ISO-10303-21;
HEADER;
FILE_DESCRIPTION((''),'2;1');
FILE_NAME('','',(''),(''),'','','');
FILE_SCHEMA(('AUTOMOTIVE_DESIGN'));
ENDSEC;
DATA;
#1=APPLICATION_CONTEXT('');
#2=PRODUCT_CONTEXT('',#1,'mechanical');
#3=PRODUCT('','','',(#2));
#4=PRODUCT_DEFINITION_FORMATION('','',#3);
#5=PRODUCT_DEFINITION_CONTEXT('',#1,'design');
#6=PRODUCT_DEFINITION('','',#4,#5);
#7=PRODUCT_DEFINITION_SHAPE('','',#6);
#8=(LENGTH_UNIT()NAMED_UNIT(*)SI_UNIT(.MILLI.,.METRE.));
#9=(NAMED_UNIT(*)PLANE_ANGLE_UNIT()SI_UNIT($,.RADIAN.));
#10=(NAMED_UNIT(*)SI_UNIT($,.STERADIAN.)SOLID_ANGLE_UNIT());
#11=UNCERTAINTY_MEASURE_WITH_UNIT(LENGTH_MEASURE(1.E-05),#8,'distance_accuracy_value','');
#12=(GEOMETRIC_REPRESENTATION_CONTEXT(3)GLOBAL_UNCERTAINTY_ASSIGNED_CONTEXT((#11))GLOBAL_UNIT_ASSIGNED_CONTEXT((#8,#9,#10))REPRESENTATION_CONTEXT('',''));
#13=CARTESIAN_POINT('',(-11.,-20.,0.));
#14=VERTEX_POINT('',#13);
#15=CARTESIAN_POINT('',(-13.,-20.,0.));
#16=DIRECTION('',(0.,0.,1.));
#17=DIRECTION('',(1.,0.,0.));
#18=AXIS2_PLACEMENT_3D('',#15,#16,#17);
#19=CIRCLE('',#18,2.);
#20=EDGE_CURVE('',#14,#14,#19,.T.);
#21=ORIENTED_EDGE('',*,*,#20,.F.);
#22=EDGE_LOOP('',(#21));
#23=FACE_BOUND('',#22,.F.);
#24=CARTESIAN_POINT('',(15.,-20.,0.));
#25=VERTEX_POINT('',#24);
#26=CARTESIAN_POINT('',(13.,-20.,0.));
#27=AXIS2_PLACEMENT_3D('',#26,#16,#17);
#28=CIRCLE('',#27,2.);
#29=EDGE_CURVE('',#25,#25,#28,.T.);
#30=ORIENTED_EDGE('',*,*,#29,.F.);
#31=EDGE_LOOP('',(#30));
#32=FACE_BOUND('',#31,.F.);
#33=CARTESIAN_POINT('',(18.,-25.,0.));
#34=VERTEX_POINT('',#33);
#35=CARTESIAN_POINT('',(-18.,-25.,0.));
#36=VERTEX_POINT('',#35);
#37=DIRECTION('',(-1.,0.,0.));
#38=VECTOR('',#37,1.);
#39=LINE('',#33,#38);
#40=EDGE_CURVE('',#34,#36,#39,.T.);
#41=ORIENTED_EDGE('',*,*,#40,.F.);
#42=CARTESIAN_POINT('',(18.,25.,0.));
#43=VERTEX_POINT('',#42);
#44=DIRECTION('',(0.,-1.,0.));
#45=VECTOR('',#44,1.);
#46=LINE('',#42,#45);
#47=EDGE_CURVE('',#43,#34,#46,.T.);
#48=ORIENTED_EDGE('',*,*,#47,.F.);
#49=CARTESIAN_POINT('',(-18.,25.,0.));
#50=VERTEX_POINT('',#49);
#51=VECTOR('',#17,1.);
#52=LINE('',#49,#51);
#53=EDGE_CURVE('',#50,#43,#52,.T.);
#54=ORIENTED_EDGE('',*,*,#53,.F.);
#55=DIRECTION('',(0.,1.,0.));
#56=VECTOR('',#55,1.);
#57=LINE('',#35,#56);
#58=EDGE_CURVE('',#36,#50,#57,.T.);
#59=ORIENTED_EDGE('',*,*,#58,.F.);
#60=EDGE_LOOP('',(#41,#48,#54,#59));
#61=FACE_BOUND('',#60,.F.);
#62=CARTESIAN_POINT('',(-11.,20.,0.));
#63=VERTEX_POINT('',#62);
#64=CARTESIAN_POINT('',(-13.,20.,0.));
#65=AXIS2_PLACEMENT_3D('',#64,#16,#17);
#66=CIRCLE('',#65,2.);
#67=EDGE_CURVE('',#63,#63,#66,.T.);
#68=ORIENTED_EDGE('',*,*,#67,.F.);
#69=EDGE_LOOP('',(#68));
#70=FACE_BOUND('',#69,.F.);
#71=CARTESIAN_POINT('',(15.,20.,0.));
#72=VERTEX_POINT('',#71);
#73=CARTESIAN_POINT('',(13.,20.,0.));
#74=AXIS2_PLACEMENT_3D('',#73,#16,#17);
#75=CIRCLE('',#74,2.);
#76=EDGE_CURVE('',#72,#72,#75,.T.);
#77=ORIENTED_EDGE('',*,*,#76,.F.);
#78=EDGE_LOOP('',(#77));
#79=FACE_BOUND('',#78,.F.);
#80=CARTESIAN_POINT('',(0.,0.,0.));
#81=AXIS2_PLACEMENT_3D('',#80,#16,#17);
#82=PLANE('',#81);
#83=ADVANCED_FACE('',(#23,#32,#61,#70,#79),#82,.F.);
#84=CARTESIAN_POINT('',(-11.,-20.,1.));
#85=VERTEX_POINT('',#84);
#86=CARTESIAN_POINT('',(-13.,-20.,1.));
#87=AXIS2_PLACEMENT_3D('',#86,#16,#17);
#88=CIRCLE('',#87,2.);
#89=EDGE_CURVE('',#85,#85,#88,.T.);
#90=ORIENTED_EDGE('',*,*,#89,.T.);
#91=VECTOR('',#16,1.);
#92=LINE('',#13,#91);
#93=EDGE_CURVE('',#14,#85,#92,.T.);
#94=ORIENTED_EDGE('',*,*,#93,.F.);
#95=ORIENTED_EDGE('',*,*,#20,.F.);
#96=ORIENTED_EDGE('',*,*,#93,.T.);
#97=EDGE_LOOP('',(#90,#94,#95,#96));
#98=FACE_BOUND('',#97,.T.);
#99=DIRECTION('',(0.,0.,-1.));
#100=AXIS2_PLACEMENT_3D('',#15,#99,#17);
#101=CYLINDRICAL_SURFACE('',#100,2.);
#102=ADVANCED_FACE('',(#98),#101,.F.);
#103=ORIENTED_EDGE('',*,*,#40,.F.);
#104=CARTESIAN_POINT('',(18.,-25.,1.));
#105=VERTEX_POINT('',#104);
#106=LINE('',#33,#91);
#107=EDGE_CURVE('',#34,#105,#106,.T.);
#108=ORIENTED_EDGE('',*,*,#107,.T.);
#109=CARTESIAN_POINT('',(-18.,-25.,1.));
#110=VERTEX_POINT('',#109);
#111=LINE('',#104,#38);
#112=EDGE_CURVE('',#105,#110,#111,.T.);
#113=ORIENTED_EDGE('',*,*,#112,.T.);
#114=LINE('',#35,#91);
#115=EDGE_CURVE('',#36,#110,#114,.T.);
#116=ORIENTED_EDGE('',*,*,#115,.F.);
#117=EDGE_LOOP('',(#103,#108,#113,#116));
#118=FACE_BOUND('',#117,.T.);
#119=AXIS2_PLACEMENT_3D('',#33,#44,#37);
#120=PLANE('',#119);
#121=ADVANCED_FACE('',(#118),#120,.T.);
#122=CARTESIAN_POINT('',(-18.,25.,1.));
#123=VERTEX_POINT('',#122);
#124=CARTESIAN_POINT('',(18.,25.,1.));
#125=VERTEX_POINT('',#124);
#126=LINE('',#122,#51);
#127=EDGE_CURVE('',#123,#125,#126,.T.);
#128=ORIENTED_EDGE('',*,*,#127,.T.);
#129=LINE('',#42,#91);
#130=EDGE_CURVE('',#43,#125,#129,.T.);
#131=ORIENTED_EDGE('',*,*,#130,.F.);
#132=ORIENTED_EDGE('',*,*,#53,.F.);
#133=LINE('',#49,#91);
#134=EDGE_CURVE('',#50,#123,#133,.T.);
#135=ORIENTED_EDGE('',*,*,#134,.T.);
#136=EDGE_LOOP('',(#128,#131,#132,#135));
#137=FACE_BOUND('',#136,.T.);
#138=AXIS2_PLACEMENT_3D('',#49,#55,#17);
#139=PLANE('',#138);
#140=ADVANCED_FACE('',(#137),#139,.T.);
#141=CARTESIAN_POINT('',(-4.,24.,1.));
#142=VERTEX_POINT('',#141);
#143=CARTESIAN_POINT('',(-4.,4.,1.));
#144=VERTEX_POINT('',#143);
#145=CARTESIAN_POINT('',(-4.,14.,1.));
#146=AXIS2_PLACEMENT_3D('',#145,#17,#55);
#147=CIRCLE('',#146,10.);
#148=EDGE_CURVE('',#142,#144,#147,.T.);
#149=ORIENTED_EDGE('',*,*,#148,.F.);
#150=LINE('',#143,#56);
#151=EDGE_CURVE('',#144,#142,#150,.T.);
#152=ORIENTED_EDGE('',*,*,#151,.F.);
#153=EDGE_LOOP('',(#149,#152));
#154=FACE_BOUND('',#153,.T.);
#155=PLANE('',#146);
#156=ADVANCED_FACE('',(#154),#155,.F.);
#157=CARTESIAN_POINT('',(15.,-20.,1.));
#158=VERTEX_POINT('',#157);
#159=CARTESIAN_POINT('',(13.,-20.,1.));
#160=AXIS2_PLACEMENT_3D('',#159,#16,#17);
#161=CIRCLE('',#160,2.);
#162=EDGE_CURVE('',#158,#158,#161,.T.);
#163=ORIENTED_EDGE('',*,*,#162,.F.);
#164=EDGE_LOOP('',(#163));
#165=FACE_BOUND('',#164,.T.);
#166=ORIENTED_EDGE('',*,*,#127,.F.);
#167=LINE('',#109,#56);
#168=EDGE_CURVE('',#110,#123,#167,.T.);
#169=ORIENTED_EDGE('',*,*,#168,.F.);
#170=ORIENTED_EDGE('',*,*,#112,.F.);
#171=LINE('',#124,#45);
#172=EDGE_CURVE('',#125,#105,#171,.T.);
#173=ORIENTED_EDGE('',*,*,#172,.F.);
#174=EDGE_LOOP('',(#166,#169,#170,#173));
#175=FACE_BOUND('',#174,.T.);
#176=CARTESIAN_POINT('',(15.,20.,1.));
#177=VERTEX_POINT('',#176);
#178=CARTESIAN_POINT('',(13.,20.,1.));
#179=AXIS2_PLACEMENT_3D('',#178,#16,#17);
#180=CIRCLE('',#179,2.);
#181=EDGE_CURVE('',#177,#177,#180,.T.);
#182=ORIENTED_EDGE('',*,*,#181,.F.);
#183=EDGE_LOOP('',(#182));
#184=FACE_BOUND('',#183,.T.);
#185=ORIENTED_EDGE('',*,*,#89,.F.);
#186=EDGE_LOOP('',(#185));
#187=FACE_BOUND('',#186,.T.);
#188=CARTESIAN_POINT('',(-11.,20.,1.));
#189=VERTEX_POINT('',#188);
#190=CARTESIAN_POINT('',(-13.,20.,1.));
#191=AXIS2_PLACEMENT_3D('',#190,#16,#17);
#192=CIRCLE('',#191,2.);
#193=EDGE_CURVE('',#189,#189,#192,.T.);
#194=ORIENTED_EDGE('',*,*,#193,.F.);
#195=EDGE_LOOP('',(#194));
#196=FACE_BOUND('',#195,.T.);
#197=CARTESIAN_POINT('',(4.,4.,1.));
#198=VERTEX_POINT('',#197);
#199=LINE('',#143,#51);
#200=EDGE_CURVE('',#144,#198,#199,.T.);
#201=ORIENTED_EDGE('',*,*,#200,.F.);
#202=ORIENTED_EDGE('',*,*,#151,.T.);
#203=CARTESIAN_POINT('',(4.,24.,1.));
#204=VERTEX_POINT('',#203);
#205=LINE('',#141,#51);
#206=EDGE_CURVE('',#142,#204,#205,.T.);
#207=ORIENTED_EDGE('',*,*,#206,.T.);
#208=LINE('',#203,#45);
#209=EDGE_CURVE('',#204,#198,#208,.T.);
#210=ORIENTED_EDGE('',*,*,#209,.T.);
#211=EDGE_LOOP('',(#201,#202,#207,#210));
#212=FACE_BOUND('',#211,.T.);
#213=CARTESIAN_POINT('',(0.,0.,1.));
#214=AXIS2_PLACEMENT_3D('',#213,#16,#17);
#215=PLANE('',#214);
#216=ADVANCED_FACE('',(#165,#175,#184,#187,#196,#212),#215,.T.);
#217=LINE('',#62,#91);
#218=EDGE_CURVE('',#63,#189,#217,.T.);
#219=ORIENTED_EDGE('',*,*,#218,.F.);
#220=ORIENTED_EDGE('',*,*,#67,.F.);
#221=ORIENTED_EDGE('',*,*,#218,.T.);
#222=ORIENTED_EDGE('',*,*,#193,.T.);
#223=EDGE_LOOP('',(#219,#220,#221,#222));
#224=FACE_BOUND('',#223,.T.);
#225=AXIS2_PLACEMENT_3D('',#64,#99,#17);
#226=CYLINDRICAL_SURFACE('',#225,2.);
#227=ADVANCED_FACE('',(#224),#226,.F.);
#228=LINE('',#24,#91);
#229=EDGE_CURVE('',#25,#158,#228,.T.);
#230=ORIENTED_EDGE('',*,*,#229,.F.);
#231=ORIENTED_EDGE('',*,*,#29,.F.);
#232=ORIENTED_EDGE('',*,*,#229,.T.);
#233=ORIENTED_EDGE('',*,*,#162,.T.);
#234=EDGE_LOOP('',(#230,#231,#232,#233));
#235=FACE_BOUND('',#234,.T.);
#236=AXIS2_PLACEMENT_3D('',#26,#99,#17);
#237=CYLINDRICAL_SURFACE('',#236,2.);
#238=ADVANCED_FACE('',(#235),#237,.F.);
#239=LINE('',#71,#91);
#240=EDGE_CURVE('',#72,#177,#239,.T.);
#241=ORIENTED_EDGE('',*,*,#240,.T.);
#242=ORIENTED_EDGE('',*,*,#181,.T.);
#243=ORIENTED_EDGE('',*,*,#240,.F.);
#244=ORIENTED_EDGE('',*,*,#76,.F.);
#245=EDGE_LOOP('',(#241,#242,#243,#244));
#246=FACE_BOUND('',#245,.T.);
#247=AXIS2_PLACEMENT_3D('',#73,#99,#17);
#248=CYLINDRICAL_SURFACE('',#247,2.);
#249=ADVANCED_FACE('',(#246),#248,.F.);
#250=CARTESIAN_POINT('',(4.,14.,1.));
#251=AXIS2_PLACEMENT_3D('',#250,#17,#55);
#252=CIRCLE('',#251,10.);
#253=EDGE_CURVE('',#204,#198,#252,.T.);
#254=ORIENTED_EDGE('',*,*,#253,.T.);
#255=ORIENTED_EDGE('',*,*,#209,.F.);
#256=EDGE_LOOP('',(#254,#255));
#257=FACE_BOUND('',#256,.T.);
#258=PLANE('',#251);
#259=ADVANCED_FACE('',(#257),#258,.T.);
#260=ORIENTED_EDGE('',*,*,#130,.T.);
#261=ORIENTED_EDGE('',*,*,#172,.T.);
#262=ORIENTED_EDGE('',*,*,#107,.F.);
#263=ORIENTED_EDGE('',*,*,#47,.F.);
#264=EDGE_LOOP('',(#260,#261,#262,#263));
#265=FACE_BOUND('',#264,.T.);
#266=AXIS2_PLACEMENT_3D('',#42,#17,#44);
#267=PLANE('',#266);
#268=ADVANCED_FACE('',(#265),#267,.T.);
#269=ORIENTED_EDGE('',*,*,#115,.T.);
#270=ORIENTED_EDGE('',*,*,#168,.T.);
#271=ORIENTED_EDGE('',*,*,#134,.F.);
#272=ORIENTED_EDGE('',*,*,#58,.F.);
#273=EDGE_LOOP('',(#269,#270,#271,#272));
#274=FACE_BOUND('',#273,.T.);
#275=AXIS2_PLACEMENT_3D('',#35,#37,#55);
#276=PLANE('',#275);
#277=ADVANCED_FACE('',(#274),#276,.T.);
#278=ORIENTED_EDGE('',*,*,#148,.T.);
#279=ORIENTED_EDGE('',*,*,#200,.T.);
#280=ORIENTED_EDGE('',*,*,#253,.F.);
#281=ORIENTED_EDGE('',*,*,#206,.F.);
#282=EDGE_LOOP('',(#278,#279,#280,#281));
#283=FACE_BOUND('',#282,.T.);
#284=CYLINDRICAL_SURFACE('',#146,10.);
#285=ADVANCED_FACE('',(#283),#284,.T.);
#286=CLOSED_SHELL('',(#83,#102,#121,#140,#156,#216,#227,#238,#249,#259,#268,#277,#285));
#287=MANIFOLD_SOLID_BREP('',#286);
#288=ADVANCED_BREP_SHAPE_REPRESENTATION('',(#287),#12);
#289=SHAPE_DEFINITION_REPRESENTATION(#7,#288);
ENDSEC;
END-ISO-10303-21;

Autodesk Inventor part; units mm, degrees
ref_plane "YZ Plane" through (0, 0, 0) normal (1, 0, 0) x (0, 1, 0)
ref_plane "XZ Plane" through (0, 0, 0) normal (0, 1, 0) x (-1, 0, 0)
ref_plane "XY Plane" through (0, 0, 0) normal (0, 0, 1) x (1, 0, 0)
sketch "Esboço1" plane through (0, 0, 0) normal (0, 0, 1) x (1, 0, 0)
  circle A0 centre (-13, -20) radius 2 projected
  circle A1 centre (-13, 20) radius 2 projected
  circle A2 centre (13, -20) radius 2 projected
  circle A3 centre (13, 20) radius 2 projected
  arc A4 (-15, 28) -> (-21, 22) centre (-15, 22) ccw projected
  line L0 (-21, 22) -> (-21, -38) projected
  arc A5 (-21, -38) -> (-15, -44) centre (-15, -38) ccw projected
  line L1 (-15, -44) -> (15, -44) projected
  arc A6 (15, -44) -> (21, -38) centre (15, -38) ccw projected
  line L2 (21, -38) -> (21, 22) projected
  arc A7 (21, 22) -> (15, 28) centre (15, 22) ccw projected
  line L3 (15, 28) -> (-15, 28) projected
  line L4 (-18, 25) -> (18, 25)
  line L5 (18, 25) -> (18, -25)
  line L6 (18, -25) -> (-18, -25)
  line L7 (-18, -25) -> (-18, 25)
  point P0 (0, 0)
extrude "Extrusão1" add sketch "Esboço1" along normal blind 1 contours L4 L5 L6 L7
sketch "Esboço2" plane through (0, 0, 1) normal (0, 0, 1) x (1, 0, 0)
  line L0 (-4, 24) -> (4, 24)
  line L1 (4, 24) -> (4, 14)
  line L2 (4, 14) -> (-4, 14)
  line L3 (-4, 14) -> (-4, 24)
  circle A0 centre (-13, 20) radius 2 projected
  circle A1 centre (13, 20) radius 2 projected
  line L4 (18, 25) -> (-18, 25) projected
  point P0 (0, 0)
  dimension "d7" = 8
  dimension "d8" = 10
  dimension "d10" = 7
  dimension "d12" = 1
revolve "Revolução1" add sketch "Esboço2" angle 180 about axis through (4, 14, 1) along (1, 0, 0) contours L0 L1 L2 L3
properties part number "Placa-Circuito"
